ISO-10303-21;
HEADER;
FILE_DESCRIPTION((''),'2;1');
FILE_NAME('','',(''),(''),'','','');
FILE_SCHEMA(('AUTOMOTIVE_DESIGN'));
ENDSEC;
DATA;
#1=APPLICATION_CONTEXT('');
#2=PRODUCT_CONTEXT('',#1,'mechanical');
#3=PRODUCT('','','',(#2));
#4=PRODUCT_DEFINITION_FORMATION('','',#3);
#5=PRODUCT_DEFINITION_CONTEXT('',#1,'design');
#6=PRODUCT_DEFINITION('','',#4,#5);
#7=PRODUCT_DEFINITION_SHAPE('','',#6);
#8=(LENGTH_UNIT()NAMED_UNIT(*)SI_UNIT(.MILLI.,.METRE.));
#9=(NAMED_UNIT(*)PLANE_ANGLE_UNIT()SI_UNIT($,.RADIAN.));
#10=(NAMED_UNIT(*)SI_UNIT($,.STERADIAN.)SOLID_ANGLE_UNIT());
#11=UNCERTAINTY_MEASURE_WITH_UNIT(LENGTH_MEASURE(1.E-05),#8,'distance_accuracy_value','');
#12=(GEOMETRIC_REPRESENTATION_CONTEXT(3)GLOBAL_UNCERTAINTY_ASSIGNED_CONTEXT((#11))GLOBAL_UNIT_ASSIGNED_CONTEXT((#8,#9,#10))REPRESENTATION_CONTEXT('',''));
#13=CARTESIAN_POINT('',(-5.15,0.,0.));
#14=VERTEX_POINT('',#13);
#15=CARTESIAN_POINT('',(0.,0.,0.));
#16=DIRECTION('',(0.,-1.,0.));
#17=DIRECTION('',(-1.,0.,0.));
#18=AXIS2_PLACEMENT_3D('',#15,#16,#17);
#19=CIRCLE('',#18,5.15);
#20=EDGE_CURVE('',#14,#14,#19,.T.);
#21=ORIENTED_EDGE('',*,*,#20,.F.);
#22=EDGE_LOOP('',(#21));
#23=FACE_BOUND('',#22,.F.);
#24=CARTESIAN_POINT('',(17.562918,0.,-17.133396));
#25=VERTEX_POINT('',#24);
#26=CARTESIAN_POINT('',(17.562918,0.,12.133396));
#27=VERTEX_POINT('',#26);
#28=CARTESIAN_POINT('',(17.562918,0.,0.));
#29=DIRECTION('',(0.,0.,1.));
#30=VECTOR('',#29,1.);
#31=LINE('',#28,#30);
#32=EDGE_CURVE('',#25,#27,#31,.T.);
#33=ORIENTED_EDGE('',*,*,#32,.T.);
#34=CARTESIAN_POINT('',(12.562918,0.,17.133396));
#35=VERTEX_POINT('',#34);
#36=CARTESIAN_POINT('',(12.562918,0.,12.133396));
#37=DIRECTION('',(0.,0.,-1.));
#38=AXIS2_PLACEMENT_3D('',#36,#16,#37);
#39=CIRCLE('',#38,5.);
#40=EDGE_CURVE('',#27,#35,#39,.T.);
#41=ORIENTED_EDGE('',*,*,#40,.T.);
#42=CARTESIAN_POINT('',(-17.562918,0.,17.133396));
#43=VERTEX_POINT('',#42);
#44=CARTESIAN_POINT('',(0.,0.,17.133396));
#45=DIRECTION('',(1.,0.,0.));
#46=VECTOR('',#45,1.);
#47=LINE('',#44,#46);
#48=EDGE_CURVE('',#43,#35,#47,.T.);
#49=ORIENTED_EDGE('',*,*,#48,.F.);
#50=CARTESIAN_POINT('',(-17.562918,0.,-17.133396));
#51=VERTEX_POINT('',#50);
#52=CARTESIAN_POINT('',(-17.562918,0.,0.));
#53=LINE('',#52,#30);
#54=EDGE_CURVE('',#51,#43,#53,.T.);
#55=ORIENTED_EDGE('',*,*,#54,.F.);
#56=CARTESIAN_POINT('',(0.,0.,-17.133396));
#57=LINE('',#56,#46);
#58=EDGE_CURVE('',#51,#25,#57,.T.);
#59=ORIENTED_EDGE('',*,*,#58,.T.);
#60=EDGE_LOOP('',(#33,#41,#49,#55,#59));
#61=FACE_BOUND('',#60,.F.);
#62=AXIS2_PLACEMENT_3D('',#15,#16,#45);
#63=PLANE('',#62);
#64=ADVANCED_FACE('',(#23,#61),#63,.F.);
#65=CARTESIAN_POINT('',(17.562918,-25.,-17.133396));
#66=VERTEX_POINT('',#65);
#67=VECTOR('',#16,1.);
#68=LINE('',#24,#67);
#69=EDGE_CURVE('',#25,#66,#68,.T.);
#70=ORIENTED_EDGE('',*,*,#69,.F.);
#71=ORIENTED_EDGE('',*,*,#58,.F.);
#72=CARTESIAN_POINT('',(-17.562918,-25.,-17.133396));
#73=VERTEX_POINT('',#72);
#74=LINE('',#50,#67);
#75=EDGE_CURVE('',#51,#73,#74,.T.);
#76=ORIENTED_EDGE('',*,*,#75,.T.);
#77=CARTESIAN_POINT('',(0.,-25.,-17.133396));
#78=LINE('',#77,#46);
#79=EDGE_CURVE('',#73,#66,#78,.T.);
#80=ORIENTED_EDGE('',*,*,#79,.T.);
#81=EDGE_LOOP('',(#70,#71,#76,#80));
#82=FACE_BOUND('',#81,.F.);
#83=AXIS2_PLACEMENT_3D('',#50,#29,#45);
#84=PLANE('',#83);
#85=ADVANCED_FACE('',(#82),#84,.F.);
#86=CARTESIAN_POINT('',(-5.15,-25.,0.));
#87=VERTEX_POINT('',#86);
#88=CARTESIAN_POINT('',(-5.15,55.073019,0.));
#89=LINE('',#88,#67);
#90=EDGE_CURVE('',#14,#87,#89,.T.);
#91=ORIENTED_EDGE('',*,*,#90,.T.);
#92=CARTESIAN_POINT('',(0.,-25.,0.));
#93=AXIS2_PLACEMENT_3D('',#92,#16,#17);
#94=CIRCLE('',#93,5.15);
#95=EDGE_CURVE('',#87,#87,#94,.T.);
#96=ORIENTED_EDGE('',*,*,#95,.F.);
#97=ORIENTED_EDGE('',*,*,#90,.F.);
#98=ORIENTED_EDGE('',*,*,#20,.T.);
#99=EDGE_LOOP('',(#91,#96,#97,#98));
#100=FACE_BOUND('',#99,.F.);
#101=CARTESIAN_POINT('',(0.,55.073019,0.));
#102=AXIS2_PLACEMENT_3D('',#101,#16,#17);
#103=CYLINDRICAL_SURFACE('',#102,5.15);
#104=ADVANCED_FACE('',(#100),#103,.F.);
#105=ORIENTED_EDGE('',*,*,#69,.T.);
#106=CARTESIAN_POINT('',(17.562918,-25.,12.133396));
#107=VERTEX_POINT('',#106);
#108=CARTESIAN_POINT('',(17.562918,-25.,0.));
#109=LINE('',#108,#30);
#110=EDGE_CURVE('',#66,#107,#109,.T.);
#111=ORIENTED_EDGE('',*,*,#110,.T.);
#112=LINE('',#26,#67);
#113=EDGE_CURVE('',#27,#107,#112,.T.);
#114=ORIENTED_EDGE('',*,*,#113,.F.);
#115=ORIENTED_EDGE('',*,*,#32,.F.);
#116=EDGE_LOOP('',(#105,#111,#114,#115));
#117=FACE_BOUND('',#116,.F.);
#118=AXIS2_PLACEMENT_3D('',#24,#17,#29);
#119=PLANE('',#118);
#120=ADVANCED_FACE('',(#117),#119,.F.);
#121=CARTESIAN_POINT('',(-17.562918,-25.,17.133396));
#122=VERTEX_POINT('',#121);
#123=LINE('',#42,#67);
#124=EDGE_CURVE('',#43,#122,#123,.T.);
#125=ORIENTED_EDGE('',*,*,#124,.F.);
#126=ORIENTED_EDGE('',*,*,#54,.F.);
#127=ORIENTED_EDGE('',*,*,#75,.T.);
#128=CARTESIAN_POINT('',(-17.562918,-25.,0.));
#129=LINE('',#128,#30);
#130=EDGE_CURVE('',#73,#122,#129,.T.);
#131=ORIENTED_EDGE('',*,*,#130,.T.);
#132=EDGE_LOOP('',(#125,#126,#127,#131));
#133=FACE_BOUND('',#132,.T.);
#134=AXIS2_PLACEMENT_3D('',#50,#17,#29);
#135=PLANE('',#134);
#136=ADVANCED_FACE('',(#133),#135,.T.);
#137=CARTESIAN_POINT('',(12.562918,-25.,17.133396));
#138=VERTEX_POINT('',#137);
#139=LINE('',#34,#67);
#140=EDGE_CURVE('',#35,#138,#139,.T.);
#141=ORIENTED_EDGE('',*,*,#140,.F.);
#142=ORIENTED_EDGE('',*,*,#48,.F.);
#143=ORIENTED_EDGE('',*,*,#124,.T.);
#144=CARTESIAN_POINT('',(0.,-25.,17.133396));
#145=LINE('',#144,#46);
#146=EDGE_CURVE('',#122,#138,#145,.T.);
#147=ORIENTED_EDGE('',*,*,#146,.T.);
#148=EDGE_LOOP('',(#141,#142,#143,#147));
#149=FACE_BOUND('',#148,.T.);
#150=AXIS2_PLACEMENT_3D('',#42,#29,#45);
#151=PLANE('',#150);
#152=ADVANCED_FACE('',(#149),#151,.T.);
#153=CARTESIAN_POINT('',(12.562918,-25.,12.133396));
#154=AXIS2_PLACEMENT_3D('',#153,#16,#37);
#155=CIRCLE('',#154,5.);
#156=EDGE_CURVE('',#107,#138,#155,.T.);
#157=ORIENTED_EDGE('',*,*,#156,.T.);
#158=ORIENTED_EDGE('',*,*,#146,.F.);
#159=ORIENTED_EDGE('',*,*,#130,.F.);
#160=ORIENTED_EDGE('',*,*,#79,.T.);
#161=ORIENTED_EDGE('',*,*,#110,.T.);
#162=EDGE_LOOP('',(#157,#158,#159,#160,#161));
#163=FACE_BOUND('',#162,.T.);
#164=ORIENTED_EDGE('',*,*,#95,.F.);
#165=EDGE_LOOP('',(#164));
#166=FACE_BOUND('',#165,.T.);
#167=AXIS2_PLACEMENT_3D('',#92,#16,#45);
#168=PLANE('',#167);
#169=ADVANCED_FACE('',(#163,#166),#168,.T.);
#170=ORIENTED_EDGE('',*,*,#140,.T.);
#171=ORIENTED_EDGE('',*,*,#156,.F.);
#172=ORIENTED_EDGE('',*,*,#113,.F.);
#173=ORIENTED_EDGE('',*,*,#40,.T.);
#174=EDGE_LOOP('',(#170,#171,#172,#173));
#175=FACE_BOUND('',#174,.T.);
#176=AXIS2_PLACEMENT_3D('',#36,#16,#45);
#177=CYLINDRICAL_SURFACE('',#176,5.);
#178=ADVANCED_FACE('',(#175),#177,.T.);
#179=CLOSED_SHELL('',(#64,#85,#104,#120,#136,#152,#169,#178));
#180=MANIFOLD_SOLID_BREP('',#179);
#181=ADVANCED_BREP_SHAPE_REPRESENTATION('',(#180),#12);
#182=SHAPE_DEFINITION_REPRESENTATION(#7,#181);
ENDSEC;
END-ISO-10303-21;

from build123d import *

# Parameters (mm, degrees)
F0_W     = 35.12583673
F0_H     = 34.2667922378
F1_DEPTH = 25
F2_R     = 5
F3_D     = 10.3


with BuildPart() as f1:
    # F0 (on Front) → F1 (new body)
    with BuildSketch(Plane.XZ):
        Rectangle(F0_W, F0_H)
    extrude(amount=F1_DEPTH)

    # F2
    f2_edges = [f1.edges().sort_by_distance(p)[0] for p in [
        (17.562918, -12.5, 17.133396),
    ]]
    fillet(f2_edges, radius=F2_R)

    # F3 (through all)
    with Locations(Plane(origin=(0, 0, 0), x_dir=(1, 0, 0), z_dir=(0, 1, 0))):
        with Locations((0, 0)):
            Hole(F3_D / 2)


solid = f1.part
